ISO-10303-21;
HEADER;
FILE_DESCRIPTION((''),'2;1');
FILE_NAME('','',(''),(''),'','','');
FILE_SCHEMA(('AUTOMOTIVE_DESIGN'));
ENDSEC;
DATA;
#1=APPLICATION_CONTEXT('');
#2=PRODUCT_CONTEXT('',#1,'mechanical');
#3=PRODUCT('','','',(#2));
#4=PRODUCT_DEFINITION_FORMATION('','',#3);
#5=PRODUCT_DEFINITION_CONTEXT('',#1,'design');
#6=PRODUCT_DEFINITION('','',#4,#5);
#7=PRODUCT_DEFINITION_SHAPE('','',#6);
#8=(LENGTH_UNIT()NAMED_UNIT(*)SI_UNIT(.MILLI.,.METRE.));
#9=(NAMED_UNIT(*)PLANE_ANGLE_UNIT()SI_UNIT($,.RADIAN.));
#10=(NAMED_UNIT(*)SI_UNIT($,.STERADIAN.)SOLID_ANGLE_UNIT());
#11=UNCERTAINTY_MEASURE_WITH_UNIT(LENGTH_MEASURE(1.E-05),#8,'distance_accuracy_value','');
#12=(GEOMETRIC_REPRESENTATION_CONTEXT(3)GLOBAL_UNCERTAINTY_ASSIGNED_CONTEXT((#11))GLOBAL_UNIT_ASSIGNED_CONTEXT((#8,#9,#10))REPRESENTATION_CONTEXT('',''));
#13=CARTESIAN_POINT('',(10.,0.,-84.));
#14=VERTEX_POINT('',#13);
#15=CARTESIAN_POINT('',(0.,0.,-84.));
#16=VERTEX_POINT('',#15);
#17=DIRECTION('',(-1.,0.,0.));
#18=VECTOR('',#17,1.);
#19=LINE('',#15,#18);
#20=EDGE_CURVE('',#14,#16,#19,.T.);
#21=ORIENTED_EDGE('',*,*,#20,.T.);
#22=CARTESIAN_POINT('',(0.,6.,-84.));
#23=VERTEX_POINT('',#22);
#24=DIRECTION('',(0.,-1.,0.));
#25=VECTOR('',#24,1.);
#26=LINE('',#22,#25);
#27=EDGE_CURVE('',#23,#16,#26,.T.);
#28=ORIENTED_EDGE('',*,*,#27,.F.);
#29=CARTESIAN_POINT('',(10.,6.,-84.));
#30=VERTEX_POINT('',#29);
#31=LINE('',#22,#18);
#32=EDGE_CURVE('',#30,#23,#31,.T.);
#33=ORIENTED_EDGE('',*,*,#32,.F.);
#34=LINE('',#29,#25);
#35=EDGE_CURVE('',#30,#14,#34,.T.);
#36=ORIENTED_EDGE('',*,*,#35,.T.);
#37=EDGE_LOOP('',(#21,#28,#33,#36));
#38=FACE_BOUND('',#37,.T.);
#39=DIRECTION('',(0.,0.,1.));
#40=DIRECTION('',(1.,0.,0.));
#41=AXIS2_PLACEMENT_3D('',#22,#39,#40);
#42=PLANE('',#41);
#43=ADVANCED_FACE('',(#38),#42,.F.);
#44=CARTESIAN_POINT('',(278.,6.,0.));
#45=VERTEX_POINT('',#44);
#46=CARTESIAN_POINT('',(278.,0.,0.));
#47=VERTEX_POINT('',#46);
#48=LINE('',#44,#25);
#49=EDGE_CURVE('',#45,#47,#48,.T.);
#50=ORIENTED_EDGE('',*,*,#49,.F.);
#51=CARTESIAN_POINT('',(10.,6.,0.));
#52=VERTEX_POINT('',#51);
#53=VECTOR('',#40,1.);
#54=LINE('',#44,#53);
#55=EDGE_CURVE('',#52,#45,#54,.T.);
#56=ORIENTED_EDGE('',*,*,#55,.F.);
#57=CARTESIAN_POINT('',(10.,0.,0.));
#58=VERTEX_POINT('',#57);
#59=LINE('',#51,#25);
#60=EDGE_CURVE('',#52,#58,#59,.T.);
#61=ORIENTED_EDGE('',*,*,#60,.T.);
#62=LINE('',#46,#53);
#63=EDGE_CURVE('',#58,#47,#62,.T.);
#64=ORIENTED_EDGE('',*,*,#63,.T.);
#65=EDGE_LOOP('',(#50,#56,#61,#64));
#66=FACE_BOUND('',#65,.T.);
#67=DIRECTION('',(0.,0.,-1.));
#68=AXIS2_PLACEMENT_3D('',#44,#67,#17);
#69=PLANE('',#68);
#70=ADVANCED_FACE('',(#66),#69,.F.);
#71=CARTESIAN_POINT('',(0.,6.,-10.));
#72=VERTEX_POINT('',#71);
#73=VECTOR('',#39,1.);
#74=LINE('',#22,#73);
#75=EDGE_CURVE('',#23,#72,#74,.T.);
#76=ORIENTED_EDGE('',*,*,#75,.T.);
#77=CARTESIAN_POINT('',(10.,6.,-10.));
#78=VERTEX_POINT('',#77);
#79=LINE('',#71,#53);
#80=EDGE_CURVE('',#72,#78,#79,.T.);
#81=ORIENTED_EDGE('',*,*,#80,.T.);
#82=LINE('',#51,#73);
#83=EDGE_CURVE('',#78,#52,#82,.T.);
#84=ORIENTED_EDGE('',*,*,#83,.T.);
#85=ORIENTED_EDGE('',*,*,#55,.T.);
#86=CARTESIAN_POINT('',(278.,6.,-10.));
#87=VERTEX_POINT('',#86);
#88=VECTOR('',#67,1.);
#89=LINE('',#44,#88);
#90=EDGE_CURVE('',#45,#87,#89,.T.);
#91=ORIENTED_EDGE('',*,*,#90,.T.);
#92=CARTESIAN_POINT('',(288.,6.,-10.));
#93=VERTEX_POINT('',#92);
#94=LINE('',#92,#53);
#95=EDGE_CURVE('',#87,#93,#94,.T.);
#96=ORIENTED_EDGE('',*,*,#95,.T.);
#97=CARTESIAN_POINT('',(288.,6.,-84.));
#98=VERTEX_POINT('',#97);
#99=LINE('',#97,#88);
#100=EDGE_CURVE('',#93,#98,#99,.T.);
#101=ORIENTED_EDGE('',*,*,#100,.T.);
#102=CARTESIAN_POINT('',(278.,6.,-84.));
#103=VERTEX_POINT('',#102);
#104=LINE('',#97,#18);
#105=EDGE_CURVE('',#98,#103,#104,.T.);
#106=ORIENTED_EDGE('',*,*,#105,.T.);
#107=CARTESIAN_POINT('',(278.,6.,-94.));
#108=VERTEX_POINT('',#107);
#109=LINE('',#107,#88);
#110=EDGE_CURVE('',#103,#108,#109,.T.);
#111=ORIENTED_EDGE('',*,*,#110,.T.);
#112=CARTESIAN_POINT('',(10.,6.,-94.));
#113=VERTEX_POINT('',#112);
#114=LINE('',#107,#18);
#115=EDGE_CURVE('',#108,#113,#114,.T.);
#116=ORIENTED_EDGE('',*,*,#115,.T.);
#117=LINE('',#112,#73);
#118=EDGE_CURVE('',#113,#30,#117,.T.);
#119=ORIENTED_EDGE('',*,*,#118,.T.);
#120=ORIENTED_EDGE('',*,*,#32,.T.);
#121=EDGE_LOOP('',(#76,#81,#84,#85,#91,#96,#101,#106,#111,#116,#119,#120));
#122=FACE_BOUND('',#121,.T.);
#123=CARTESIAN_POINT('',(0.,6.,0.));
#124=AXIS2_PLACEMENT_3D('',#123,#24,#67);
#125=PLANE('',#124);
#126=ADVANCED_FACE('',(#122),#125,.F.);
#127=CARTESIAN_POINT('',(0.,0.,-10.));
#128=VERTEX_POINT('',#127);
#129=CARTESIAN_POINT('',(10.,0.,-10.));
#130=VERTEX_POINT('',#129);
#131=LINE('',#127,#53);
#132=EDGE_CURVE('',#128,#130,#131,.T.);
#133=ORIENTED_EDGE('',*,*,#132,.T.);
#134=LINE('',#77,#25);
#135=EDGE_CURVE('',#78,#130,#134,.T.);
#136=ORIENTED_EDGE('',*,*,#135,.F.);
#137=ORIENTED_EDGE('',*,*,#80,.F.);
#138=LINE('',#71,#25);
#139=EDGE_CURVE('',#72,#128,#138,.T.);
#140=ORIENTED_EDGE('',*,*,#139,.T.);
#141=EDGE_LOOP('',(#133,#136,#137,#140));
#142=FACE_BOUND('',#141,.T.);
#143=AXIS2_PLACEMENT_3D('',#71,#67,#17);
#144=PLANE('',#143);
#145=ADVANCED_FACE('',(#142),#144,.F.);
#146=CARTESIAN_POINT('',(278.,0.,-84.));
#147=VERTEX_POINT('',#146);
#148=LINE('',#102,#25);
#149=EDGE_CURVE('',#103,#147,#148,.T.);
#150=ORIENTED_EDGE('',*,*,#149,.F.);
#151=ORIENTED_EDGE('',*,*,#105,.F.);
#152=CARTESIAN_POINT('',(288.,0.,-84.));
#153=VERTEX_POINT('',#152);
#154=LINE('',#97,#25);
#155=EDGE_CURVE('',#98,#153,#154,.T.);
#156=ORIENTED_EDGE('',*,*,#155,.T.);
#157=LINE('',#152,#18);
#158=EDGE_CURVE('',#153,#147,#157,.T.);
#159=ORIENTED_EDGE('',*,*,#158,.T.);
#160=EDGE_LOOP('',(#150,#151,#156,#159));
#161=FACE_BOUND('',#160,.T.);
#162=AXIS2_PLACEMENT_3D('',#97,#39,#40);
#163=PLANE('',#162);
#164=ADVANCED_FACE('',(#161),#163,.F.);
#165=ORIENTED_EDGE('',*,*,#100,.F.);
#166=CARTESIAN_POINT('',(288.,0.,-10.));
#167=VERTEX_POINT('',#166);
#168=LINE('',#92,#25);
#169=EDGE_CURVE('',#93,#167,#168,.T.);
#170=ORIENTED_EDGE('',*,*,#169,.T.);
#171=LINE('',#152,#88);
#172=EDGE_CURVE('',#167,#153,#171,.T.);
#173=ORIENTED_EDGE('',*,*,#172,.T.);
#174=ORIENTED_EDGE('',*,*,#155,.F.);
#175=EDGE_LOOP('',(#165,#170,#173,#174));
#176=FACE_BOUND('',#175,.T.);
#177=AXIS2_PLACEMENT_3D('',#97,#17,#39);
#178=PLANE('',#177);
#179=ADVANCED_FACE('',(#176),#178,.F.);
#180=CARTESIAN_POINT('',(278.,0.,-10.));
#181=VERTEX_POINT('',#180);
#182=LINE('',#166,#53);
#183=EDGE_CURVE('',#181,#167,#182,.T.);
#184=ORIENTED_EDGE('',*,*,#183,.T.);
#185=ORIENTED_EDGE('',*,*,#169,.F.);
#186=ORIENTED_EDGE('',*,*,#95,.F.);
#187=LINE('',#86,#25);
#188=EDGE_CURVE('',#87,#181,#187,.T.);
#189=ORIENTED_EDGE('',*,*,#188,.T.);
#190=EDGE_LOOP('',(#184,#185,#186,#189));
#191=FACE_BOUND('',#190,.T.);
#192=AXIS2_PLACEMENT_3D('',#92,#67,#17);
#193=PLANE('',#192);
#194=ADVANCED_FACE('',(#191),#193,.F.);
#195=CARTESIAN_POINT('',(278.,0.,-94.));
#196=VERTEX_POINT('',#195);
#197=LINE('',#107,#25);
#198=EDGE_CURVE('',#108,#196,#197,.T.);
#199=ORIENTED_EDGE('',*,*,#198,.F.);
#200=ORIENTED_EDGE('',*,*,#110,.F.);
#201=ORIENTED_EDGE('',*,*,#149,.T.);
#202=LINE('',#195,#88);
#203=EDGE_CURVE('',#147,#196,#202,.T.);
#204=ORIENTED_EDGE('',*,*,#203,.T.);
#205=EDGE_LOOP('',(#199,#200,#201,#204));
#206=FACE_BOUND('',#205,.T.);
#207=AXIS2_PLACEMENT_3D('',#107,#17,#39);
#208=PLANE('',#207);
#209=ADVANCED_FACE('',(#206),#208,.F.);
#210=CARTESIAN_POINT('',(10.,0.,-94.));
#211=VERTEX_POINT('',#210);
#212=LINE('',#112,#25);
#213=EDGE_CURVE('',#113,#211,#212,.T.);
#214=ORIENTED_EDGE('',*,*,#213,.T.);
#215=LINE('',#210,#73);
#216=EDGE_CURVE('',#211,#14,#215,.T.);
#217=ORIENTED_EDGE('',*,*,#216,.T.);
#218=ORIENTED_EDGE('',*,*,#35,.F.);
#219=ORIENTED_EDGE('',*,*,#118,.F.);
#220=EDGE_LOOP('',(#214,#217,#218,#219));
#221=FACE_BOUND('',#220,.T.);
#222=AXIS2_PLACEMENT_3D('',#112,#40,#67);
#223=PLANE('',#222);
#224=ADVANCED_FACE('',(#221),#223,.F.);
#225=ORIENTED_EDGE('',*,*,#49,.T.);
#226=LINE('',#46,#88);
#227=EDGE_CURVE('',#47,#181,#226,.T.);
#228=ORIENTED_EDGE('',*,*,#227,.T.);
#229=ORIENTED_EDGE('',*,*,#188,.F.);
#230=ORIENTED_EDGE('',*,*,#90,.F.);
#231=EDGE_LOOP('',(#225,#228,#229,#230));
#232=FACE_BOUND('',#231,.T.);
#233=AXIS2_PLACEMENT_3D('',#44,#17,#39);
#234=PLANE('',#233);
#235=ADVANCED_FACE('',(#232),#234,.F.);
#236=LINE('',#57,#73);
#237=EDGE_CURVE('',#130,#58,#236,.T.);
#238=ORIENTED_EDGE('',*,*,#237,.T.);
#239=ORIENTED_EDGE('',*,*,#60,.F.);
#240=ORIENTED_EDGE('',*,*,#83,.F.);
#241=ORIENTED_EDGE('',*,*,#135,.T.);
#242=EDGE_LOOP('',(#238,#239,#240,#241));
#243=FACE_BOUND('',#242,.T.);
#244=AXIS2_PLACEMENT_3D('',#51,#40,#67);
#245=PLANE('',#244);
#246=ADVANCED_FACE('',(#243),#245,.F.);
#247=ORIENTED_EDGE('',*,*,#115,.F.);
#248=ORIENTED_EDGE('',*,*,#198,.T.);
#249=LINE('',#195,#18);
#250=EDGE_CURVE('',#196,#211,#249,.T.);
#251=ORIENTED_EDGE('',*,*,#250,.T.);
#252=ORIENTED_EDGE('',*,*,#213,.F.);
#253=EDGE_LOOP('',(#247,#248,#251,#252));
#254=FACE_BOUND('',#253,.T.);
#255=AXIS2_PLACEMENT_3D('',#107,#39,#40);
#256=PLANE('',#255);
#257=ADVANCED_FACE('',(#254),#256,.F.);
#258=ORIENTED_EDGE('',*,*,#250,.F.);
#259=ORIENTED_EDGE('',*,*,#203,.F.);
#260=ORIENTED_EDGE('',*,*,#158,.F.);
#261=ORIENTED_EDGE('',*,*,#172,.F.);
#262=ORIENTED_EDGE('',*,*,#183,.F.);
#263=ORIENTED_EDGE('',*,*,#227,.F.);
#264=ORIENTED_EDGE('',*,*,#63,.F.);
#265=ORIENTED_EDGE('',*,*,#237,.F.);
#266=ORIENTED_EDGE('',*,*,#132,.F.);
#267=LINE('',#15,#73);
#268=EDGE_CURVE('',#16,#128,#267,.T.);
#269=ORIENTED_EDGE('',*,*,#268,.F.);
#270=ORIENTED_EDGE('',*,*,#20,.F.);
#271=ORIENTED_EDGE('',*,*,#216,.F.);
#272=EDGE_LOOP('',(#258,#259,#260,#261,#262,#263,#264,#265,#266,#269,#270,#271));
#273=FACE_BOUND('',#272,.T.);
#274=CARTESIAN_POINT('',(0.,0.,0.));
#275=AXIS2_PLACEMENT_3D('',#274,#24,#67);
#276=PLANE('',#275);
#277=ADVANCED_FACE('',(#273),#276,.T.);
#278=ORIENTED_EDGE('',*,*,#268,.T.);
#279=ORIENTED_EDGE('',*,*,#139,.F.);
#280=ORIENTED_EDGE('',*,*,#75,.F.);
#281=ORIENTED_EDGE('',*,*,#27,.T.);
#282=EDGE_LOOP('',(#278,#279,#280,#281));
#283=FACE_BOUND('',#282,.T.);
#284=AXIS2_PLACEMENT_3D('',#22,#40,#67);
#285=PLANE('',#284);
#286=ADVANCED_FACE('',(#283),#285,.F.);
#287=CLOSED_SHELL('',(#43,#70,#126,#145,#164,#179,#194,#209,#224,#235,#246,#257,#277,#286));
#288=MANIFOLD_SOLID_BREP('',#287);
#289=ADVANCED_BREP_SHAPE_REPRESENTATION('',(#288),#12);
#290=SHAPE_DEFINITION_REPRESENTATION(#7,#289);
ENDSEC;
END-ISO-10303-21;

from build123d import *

# Parameters (mm, degrees)
BOSS_EXTRUDE1_DEPTH = 6


with BuildPart() as part:
    # Sketch1 → Boss-Extrude1 (new body)
    with BuildSketch(Plane(origin=(0, 0, 0), x_dir=(1, 0, 0), z_dir=(0, 1, 0))):
        Polygon((0, 84), (0, 10), (10, 10), (10, 0), (278, 0), (278, 10), (288, 10), (288, 84), (278, 84), (278, 94), (10, 94), (10, 84), align=None)
    extrude(amount=BOSS_EXTRUDE1_DEPTH)


solid = part.part
